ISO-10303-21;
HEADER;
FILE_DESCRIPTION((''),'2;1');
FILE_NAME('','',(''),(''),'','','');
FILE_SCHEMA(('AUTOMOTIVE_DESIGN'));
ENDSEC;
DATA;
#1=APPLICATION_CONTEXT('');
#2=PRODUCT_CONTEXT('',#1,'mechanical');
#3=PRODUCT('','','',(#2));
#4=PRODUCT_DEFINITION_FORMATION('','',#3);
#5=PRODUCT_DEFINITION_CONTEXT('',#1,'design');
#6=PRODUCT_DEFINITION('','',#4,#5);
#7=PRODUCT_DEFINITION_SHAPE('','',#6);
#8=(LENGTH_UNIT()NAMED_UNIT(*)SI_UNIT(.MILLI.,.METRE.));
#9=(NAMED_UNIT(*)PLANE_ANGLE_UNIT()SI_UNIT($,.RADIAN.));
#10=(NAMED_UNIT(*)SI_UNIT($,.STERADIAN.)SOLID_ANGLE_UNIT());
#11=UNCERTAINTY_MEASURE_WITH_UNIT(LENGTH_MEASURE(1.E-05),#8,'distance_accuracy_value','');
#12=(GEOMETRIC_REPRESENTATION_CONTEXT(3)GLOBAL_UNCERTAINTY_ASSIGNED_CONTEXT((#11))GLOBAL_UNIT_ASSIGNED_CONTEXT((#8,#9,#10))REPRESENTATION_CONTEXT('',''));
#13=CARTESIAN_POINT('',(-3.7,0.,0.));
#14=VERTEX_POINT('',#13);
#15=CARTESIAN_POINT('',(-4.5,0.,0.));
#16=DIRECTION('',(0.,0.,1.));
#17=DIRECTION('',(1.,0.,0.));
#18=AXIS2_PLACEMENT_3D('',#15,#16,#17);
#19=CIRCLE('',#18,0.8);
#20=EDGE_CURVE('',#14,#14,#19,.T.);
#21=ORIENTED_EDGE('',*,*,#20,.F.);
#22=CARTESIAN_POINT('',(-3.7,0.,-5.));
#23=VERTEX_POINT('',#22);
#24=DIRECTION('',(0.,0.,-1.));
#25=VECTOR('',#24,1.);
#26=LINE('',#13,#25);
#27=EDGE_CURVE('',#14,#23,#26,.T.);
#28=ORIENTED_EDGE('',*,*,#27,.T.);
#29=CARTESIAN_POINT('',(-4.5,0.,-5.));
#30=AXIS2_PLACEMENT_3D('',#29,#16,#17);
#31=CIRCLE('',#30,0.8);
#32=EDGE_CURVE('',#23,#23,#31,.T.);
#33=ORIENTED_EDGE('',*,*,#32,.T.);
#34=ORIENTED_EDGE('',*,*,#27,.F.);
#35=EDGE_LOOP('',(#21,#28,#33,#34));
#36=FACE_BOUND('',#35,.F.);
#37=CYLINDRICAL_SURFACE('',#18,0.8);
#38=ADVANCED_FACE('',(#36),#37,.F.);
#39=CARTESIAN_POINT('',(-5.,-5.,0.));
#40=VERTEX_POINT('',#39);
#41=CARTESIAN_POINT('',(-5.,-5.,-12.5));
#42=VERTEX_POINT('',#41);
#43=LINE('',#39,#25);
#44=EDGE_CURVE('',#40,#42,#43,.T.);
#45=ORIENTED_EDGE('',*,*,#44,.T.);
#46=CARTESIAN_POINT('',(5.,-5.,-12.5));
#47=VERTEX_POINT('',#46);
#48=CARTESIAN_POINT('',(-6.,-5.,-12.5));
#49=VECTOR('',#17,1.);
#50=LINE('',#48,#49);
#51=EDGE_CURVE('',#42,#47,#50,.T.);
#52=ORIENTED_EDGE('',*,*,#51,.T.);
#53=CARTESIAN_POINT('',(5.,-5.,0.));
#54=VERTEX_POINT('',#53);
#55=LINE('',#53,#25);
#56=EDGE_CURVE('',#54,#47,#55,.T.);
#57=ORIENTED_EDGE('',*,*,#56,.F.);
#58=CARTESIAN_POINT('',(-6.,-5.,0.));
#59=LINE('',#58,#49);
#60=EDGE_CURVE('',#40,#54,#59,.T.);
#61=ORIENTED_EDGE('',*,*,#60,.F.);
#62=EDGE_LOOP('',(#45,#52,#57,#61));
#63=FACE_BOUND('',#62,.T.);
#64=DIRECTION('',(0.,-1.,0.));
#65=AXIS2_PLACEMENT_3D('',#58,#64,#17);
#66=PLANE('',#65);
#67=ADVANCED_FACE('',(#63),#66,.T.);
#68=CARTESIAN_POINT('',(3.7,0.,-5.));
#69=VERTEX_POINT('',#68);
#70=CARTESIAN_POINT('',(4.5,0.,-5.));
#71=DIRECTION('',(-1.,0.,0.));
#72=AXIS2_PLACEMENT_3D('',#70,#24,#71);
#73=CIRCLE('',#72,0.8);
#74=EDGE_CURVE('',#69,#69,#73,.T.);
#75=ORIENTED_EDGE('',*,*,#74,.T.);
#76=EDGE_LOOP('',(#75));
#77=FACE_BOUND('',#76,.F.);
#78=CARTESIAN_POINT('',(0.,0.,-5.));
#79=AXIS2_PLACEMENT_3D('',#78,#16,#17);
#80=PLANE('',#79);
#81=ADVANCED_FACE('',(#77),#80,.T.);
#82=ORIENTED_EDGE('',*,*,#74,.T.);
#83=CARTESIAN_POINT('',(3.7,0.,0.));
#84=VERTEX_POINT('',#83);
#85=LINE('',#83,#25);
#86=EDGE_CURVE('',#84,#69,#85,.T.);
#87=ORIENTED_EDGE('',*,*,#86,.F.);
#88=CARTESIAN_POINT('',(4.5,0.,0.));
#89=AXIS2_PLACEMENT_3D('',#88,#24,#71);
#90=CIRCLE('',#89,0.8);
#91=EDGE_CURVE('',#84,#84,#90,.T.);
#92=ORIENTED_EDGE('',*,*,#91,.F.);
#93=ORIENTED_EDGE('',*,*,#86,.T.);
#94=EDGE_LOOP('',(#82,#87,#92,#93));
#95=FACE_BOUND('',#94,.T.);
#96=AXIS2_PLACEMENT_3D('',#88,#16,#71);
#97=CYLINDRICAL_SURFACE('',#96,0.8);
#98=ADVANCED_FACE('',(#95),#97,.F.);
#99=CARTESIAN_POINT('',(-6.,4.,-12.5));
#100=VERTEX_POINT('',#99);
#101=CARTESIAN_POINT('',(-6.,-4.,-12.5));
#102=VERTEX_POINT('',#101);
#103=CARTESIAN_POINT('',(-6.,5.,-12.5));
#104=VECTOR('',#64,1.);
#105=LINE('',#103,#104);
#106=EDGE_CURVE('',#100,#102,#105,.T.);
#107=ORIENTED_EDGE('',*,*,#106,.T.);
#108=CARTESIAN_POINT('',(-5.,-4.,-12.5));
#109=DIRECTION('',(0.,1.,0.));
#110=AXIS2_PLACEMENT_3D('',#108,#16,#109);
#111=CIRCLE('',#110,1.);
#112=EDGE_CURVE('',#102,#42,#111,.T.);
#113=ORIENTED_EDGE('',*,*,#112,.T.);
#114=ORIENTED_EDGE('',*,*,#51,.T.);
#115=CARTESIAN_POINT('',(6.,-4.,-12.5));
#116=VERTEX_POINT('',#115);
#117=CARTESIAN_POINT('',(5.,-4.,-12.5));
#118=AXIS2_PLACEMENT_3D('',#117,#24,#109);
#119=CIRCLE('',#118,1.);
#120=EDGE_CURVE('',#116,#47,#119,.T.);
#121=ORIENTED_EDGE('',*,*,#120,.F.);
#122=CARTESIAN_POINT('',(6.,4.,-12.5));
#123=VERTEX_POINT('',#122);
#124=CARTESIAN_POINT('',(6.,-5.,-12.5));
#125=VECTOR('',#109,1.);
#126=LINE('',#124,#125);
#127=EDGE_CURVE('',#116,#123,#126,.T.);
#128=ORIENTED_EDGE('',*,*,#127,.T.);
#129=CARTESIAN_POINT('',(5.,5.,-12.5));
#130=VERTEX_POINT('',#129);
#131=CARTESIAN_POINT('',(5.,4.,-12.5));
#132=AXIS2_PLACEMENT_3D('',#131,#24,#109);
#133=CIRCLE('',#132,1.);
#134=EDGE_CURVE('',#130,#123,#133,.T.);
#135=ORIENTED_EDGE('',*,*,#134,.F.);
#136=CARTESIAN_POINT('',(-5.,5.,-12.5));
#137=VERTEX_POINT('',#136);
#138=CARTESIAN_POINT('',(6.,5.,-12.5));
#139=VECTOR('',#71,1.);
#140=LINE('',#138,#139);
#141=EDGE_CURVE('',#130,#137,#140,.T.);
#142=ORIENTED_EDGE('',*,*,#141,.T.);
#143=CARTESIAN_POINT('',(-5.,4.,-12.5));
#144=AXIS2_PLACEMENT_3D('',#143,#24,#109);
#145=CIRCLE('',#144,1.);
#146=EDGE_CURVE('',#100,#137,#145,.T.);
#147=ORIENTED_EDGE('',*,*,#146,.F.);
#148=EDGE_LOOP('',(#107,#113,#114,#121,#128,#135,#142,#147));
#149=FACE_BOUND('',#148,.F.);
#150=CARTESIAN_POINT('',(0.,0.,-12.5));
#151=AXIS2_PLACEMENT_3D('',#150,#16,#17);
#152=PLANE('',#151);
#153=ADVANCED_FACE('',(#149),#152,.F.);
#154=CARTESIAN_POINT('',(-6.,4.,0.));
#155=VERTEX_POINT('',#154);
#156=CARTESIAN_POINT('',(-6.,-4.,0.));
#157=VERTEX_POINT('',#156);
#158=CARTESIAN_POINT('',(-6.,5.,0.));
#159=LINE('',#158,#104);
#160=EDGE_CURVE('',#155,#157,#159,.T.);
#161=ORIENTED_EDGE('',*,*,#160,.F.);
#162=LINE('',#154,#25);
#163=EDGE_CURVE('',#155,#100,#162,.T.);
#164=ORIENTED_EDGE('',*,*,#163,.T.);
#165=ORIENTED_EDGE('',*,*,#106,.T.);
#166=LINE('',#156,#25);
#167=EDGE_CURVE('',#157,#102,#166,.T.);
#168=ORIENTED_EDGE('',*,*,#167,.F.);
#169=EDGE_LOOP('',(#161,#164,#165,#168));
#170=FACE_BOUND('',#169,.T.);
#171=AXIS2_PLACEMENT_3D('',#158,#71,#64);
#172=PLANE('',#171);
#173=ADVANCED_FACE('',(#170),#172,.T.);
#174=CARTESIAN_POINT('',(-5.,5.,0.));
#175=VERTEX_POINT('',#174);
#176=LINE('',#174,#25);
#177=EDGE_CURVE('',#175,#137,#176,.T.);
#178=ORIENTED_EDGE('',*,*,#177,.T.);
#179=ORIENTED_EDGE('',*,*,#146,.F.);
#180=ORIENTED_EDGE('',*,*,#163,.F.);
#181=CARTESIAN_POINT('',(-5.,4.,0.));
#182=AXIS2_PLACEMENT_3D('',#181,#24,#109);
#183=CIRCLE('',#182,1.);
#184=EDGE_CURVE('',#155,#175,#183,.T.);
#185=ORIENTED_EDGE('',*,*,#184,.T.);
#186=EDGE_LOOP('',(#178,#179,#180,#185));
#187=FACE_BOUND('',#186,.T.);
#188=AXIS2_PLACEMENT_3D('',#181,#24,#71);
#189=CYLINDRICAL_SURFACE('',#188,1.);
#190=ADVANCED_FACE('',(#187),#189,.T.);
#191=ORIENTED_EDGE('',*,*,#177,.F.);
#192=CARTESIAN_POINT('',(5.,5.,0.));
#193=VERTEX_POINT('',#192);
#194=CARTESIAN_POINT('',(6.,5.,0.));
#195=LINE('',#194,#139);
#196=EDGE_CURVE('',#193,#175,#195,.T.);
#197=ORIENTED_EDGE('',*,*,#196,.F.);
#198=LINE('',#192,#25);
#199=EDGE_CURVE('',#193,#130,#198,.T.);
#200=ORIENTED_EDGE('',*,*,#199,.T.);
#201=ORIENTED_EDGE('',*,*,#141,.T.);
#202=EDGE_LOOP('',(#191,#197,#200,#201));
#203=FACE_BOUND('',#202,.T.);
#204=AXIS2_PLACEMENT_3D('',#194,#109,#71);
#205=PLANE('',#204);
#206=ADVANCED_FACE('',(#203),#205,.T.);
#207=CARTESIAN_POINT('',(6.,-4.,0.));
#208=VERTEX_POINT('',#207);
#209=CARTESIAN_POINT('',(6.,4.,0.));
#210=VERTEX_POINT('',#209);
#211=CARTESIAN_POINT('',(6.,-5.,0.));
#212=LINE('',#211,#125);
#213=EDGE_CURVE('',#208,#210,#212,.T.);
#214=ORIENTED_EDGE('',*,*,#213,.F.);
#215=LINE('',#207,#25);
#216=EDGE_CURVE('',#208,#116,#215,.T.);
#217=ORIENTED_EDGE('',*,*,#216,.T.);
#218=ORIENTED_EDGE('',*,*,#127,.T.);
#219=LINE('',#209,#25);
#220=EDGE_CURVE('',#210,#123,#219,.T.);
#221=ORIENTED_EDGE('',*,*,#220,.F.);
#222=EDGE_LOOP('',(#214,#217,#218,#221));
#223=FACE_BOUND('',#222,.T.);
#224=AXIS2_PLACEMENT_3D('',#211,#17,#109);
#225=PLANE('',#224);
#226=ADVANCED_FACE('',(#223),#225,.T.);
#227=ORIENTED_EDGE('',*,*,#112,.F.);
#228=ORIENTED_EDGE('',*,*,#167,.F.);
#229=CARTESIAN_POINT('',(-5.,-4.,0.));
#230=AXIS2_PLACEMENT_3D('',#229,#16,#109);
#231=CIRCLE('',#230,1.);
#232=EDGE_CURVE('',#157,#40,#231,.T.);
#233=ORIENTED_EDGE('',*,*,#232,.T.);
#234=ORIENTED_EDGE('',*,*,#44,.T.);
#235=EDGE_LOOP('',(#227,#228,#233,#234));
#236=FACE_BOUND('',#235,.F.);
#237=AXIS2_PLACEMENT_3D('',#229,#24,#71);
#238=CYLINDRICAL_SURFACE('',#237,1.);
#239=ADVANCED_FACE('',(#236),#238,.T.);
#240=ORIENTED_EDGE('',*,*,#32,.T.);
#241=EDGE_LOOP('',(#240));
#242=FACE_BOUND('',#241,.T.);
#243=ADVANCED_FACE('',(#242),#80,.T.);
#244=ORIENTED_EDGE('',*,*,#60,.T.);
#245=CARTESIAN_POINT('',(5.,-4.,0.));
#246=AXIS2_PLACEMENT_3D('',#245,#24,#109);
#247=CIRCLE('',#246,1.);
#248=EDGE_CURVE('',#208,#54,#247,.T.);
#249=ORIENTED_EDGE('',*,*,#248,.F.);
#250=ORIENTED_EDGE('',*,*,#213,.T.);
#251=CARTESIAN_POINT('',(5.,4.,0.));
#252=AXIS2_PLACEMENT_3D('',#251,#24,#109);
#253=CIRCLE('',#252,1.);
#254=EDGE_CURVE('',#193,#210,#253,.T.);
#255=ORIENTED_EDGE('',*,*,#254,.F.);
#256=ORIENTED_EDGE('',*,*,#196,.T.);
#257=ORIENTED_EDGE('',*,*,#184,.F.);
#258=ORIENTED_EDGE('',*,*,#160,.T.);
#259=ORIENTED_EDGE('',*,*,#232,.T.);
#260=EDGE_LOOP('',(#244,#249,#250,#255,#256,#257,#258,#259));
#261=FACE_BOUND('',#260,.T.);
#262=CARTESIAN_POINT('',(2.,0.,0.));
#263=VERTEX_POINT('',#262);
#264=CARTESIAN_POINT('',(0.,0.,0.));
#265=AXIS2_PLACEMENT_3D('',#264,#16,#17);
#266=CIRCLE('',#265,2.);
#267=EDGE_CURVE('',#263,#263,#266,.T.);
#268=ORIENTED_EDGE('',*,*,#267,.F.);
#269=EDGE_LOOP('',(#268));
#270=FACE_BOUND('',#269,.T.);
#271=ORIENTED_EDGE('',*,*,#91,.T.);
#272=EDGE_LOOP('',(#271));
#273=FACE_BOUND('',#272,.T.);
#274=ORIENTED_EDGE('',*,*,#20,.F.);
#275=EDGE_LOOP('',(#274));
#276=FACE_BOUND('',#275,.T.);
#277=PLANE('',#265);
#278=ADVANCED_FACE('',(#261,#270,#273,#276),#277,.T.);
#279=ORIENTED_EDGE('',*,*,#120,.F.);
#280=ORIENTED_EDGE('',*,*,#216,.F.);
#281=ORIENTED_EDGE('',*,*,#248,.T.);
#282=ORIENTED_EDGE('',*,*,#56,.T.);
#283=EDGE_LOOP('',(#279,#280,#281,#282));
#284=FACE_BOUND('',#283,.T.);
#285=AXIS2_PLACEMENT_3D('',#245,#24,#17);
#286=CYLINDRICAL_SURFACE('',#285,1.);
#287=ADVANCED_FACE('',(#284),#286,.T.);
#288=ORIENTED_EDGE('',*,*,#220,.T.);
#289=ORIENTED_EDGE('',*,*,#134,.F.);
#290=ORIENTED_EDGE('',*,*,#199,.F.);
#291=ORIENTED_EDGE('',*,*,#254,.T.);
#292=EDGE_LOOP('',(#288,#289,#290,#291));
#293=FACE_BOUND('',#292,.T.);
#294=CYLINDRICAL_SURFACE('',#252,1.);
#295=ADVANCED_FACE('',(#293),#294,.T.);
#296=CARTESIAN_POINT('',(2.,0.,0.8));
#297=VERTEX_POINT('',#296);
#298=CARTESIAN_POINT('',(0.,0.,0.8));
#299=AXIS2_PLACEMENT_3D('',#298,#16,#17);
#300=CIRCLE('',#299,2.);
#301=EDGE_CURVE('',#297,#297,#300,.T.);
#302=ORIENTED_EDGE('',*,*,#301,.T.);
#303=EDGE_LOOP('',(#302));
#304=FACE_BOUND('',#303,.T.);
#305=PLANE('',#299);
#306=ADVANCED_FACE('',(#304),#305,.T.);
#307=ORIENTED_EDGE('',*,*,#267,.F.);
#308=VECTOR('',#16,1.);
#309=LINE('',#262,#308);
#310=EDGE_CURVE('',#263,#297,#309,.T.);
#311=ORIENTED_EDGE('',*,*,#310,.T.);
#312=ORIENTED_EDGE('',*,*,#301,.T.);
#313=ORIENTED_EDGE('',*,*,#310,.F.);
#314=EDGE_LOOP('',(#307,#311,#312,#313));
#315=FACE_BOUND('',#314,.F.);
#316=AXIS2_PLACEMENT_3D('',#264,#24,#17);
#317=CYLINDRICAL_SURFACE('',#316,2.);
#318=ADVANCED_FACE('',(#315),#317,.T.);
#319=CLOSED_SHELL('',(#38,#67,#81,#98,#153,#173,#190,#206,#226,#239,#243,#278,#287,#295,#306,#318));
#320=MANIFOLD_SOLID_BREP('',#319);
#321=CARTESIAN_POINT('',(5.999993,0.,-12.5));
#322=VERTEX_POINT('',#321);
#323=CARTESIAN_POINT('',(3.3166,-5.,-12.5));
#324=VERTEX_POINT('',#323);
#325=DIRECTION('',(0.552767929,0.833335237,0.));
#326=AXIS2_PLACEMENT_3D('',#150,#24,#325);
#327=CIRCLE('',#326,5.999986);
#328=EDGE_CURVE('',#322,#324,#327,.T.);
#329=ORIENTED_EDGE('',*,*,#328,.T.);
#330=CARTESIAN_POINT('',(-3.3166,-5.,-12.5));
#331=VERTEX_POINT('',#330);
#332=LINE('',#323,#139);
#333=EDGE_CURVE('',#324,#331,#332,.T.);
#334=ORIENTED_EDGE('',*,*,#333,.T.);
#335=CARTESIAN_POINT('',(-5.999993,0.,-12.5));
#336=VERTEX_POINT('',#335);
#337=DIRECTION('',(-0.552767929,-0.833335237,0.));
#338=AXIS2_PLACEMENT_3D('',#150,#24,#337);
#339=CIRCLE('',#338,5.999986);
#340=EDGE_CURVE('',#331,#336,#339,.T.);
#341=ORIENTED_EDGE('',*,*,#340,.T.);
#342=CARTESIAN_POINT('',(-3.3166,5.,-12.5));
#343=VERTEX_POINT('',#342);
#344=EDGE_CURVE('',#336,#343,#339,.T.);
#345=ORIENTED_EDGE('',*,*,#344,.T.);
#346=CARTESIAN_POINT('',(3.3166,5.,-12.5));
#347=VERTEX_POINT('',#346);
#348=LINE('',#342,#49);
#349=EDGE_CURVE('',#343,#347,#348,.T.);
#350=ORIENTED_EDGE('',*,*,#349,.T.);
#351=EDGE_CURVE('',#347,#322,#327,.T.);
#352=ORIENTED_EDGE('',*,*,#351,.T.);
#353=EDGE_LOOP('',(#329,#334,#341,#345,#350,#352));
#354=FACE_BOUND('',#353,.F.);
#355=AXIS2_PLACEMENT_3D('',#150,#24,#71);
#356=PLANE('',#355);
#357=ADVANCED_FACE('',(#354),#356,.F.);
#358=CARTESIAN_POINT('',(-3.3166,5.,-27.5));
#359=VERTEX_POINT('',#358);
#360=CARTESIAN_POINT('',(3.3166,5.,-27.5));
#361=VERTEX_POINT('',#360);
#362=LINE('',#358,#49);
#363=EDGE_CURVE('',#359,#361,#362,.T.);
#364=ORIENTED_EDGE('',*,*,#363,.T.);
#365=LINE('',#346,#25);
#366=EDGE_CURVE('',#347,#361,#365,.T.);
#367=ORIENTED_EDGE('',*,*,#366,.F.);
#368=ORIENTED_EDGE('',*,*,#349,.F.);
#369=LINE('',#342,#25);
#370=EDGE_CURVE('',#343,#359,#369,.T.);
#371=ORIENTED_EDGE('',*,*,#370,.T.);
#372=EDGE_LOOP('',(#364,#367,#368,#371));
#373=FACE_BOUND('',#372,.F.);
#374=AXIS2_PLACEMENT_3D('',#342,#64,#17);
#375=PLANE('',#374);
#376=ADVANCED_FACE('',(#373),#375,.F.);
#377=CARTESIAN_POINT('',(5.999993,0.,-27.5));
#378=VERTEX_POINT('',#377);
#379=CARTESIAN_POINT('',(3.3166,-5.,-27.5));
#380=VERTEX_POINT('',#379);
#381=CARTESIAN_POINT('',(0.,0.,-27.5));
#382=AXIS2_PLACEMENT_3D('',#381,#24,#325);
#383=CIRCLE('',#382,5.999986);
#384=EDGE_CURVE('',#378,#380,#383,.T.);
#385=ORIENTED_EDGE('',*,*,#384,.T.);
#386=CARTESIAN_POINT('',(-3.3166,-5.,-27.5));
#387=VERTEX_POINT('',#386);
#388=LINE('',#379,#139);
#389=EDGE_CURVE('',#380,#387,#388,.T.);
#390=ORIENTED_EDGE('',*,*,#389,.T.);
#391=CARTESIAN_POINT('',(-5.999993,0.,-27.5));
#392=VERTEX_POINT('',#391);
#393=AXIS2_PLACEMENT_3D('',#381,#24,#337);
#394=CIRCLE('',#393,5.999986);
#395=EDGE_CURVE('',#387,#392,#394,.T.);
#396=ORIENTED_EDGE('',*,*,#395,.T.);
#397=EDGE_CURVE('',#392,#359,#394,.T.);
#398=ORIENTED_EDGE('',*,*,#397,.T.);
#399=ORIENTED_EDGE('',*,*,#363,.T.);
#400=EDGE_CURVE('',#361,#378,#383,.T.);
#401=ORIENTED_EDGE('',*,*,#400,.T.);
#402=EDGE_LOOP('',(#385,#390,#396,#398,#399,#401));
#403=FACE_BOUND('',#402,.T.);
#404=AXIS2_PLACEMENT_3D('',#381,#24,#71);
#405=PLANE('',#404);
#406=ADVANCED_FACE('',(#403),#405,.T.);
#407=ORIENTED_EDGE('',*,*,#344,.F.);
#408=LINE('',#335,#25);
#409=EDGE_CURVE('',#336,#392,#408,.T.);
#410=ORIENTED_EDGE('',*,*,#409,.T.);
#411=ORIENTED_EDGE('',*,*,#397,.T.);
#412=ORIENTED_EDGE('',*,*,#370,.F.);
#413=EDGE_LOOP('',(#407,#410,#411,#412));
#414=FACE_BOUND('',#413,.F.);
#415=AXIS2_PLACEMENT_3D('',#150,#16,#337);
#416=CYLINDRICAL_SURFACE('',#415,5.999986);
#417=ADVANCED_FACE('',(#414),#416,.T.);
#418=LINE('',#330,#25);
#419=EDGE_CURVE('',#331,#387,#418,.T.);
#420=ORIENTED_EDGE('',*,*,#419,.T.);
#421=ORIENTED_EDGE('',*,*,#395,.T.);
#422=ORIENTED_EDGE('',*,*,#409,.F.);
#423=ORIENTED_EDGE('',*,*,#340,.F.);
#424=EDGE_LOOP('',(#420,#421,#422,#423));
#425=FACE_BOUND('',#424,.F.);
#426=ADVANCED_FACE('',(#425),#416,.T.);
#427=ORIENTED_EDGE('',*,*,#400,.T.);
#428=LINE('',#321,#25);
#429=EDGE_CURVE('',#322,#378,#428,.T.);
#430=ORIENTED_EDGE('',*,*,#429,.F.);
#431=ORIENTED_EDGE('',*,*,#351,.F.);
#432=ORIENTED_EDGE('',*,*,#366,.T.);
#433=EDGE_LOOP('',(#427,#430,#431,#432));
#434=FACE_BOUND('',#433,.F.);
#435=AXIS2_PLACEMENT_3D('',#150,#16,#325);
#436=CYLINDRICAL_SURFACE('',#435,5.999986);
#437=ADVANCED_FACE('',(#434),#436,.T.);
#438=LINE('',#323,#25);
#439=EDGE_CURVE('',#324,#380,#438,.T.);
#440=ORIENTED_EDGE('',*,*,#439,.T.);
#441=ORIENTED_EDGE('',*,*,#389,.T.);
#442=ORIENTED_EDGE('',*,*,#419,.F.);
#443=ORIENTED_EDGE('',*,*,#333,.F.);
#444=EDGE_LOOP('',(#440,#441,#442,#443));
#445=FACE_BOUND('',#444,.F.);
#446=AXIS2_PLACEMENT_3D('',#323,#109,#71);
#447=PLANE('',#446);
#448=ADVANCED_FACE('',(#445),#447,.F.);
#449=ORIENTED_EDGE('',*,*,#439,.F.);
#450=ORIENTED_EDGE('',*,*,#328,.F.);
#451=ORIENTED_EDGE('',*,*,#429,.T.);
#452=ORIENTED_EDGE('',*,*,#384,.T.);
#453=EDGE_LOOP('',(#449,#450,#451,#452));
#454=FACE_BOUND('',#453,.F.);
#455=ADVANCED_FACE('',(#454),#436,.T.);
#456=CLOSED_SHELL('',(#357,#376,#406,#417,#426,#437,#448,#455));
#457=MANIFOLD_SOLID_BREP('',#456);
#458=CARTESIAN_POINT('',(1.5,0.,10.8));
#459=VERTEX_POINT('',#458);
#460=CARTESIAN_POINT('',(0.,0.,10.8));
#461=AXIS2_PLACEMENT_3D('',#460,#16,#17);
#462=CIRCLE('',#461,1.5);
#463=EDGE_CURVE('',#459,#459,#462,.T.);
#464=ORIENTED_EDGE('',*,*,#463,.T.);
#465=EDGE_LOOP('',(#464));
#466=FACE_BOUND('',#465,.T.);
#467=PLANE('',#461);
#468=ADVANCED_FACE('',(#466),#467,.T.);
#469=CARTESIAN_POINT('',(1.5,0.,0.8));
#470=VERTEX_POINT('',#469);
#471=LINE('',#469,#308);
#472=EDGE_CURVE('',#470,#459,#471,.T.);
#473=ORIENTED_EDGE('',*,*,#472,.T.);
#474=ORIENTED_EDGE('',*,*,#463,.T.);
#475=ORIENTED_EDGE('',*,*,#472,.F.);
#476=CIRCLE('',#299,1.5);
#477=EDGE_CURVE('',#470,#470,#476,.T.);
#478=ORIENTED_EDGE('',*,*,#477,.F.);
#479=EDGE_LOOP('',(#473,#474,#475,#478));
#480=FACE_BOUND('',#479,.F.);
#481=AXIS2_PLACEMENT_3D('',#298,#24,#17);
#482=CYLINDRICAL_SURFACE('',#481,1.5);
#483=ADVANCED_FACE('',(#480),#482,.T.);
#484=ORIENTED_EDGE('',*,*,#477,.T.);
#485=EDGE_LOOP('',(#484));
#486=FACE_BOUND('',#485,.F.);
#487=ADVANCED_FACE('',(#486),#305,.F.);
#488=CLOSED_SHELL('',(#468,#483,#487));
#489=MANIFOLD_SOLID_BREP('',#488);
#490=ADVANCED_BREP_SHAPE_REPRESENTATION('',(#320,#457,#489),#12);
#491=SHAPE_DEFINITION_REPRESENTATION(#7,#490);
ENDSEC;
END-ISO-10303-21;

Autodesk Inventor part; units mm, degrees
ref_plane "YZ Plane" through (0, 0, 0) normal (1, 0, 0) x (0, 1, 0)
ref_plane "XZ Plane" through (0, 0, 0) normal (0, 1, 0) x (-1, 0, 0)
ref_plane "XY Plane" through (0, 0, 0) normal (0, 0, 1) x (1, 0, 0)
sketch "Skizze1" plane through (0, 0, 0) normal (0, 0, 1) x (1, 0, 0)
  line L0 (-6, -5) -> (6, -5)
  line L1 (6, -5) -> (6, 5)
  line L2 (6, 5) -> (-6, 5)
  line L3 (-6, 5) -> (-6, -5)
  line L4 (-6, -5) -> (6, 5) construction
  line L5 (6, -5) -> (-6, 5) construction
  point P0 (0, 0)
  dimension "d0" = 12
  dimension "d1" = 10
extrude "Extrusion1" add sketch "Skizze1" against normal blind 12.5
sketch "Skizze2" plane through (0, 0, -12.5) normal (0, 0, -1) x (-1, 0, 0)
  line L0 (6, -5) -> (6, 5) projected
  line L1 (-3.3166, -5) -> (3.3166, -5)
  line L2 (3.3166, 5) -> (-3.3166, 5)
  line L3 (-6, -5) -> (6, 5) construction
  line L4 (6, -5) -> (-6, 5) construction
  arc A0 (3.3166, -5) -> (3.3166, 5) centre (0, 0) ccw
  arc A1 (-3.3166, 5) -> (-3.3166, -5) centre (0, 0) ccw
  line L5 (-6, 5) -> (-6, -5) projected
  line L6 (-6, -5) -> (6, -5) projected
  line L7 (6, 5) -> (-6, 5) projected
extrude "Extrusion2" add sketch "Skizze2" along normal blind 15 separate body contours A0 L1 A1 L2
fillet "Rundung1" radius 1 4 edges at (6, 5, -6.25) (-6, 5, -6.25) (-6, -5, -6.25) (6, -5, -6.25)
sketch "Skizze3" plane through (0, 0, 0) normal (0, 0, 1) x (1, 0, 0)
  circle A0 centre (0, 0) radius 2
  dimension "d7" = 4
extrude "Extrusion3" add sketch "Skizze3" along normal blind 0.8 bodies 1
sketch "Skizze4" plane through (0, 0, 0.8) normal (0, 0, 1) x (1, 0, 0)
  circle A0 centre (0, 0) radius 2 projected
  circle A1 centre (0, 0) radius 1.5
  dimension "d10" = 3
extrude "Extrusion4" add sketch "Skizze4" along normal blind 10 separate body contours A1
sketch "Skizze5" plane through (0, 0, 0) normal (0, 0, 1) x (1, 0, 0)
  line L0 (6, -4) -> (6, 4) projected
  circle A0 centre (-4.5, 0) radius 0.8
  line L1 (-4.5, 0) -> (0, 0) construction
  dimension "d15" = 1.6
  dimension "d16" = 4.5
extrude "Extrusion5" cut sketch "Skizze5" against normal blind 5 bodies 1
mirror "Spiegeln1" about plane through (0, 0, 0) normal (1, 0, 0) of "Extrusion5" bodies 1
ref_plane "Arbeitsebene1" through (0, 0, 0) normal (1, 0, 0) x (0, 1, 0)
properties part number "P_Gewindemotor_N20"
